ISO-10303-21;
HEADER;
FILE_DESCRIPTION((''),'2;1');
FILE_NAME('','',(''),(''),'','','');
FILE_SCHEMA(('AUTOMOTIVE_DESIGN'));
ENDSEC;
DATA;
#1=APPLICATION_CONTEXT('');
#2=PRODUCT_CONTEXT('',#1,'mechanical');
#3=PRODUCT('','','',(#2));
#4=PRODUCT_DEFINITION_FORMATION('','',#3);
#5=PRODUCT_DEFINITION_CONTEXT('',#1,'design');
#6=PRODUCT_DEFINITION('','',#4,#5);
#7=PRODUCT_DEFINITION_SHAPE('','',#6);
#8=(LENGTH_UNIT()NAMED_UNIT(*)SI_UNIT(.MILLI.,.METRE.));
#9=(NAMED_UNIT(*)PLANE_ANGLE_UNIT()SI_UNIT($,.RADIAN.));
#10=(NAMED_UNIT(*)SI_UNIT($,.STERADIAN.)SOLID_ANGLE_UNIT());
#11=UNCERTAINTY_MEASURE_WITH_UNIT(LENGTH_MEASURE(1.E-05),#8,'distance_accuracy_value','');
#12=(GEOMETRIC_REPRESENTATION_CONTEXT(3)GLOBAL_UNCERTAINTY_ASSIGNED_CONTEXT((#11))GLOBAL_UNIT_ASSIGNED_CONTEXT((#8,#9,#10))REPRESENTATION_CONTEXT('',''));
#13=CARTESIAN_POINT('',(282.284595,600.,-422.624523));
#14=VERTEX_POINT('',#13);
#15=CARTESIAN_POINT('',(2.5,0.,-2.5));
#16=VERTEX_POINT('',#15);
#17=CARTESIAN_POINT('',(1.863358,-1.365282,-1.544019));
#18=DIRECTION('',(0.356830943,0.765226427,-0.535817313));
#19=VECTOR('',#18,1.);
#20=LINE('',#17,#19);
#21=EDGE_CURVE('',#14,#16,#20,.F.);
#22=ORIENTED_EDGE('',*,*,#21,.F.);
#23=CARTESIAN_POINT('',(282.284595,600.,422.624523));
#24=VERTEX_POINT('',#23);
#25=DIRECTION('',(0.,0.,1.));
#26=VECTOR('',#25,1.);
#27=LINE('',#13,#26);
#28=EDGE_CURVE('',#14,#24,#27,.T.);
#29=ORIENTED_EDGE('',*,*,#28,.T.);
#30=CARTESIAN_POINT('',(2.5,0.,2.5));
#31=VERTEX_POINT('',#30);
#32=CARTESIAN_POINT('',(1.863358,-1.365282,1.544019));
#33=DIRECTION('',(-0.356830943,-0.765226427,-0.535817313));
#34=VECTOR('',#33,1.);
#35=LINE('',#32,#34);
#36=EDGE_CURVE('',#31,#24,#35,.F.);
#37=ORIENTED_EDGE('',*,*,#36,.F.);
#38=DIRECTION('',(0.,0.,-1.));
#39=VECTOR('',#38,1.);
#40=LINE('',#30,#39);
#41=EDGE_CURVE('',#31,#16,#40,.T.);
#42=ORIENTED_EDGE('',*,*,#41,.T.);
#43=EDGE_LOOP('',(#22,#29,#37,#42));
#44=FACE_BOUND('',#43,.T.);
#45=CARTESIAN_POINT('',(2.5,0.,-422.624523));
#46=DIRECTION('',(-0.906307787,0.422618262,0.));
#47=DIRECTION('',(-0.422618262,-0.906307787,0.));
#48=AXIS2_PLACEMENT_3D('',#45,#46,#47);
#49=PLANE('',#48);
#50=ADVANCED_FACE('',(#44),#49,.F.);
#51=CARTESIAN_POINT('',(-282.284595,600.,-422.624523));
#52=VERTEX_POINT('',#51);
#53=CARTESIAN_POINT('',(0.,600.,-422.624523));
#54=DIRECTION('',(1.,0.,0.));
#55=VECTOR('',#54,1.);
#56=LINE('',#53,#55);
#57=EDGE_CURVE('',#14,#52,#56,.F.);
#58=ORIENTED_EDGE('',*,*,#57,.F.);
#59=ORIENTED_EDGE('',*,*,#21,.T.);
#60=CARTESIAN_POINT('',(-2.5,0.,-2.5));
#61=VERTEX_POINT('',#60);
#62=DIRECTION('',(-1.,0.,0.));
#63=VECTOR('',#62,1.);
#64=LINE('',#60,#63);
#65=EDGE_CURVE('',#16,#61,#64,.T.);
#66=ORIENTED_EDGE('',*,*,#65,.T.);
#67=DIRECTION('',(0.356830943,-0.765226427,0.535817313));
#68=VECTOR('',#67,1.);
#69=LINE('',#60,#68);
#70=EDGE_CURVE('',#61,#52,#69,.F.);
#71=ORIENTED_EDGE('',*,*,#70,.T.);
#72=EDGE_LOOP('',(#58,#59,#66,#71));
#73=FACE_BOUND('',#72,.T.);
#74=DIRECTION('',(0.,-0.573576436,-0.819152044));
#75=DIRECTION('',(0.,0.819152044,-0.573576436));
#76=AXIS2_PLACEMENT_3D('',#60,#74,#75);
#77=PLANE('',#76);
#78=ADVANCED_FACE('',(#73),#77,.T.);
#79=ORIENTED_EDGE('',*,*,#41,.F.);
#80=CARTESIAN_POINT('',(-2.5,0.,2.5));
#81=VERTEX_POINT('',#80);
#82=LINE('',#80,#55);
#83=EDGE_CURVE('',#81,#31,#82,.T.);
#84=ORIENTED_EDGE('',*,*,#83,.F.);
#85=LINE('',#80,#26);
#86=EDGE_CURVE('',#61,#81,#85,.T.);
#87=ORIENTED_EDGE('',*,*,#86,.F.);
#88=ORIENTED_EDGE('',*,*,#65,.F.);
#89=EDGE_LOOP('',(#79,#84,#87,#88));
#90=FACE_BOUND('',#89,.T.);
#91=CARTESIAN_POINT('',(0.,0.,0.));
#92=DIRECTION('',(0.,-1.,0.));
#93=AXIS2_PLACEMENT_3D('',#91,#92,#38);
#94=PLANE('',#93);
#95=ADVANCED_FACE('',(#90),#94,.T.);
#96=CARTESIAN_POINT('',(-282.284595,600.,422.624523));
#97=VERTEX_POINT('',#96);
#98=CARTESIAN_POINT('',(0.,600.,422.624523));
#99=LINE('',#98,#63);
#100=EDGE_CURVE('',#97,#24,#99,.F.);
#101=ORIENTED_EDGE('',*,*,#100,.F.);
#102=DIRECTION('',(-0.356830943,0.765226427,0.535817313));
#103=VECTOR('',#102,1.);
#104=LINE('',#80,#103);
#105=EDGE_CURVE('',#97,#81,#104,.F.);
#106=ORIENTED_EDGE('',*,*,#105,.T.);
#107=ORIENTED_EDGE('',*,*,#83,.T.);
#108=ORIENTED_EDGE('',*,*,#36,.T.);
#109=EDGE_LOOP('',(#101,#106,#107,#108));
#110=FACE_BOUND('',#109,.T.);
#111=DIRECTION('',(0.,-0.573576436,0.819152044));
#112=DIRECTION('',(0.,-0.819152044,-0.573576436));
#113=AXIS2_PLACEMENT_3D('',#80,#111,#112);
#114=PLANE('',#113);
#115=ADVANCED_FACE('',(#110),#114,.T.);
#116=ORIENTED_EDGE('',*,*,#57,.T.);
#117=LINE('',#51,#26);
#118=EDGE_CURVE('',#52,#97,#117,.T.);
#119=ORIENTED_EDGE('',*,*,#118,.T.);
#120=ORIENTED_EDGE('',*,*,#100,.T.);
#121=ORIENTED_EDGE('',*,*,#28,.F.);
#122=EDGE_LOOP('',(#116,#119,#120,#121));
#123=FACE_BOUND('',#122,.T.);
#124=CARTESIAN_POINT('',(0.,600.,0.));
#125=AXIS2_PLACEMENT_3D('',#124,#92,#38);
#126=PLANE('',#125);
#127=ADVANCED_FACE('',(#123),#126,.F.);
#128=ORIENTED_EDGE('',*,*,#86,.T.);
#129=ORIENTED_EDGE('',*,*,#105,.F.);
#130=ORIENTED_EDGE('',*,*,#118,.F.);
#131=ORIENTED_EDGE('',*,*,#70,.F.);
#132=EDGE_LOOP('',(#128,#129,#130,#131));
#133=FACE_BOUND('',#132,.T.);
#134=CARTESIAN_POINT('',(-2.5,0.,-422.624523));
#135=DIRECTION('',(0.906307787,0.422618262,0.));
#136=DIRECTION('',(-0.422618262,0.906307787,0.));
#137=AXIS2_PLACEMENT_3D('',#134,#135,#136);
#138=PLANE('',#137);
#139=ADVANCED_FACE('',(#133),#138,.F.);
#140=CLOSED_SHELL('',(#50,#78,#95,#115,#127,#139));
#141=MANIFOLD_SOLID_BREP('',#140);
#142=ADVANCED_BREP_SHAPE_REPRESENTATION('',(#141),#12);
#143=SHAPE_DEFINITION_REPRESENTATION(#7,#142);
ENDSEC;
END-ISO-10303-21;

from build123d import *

# Parameters (mm, degrees)
SKETCH1_W               = 5
SKETCH1_H               = 5
BOSS_EXTRUDE1_DEPTH     = 600
BOSS_EXTRUDE1_TAPER     = -35
CUT_EXTRUDE1_DEPTH      = 847.890178858
CUT_EXTRUDE1_DEPTH_BACK = 847.890178858


with BuildPart() as part:
    # Sketch1 → Boss-Extrude1 (new body)
    with BuildSketch(Plane(origin=(0, 0, 0), x_dir=(1, 0, 0), z_dir=(0, 1, 0))):
        Rectangle(SKETCH1_W, SKETCH1_H)
    extrude(amount=BOSS_EXTRUDE1_DEPTH, taper=BOSS_EXTRUDE1_TAPER)

    # Sketch3 → Cut-Extrude1 (cut, two sides: drawn at the far end of the back side and taken through both)
    with BuildSketch(Plane.XY.offset(-CUT_EXTRUDE1_DEPTH_BACK)):
        Polygon((-422.624522926, 600), (-282.284594893, 600), (-2.5, 0), align=None)
        Polygon((422.624522926, 600), (2.5, 0), (282.284594893, 600), align=None)
    extrude(amount=CUT_EXTRUDE1_DEPTH + CUT_EXTRUDE1_DEPTH_BACK, mode=Mode.SUBTRACT)


solid = part.part
